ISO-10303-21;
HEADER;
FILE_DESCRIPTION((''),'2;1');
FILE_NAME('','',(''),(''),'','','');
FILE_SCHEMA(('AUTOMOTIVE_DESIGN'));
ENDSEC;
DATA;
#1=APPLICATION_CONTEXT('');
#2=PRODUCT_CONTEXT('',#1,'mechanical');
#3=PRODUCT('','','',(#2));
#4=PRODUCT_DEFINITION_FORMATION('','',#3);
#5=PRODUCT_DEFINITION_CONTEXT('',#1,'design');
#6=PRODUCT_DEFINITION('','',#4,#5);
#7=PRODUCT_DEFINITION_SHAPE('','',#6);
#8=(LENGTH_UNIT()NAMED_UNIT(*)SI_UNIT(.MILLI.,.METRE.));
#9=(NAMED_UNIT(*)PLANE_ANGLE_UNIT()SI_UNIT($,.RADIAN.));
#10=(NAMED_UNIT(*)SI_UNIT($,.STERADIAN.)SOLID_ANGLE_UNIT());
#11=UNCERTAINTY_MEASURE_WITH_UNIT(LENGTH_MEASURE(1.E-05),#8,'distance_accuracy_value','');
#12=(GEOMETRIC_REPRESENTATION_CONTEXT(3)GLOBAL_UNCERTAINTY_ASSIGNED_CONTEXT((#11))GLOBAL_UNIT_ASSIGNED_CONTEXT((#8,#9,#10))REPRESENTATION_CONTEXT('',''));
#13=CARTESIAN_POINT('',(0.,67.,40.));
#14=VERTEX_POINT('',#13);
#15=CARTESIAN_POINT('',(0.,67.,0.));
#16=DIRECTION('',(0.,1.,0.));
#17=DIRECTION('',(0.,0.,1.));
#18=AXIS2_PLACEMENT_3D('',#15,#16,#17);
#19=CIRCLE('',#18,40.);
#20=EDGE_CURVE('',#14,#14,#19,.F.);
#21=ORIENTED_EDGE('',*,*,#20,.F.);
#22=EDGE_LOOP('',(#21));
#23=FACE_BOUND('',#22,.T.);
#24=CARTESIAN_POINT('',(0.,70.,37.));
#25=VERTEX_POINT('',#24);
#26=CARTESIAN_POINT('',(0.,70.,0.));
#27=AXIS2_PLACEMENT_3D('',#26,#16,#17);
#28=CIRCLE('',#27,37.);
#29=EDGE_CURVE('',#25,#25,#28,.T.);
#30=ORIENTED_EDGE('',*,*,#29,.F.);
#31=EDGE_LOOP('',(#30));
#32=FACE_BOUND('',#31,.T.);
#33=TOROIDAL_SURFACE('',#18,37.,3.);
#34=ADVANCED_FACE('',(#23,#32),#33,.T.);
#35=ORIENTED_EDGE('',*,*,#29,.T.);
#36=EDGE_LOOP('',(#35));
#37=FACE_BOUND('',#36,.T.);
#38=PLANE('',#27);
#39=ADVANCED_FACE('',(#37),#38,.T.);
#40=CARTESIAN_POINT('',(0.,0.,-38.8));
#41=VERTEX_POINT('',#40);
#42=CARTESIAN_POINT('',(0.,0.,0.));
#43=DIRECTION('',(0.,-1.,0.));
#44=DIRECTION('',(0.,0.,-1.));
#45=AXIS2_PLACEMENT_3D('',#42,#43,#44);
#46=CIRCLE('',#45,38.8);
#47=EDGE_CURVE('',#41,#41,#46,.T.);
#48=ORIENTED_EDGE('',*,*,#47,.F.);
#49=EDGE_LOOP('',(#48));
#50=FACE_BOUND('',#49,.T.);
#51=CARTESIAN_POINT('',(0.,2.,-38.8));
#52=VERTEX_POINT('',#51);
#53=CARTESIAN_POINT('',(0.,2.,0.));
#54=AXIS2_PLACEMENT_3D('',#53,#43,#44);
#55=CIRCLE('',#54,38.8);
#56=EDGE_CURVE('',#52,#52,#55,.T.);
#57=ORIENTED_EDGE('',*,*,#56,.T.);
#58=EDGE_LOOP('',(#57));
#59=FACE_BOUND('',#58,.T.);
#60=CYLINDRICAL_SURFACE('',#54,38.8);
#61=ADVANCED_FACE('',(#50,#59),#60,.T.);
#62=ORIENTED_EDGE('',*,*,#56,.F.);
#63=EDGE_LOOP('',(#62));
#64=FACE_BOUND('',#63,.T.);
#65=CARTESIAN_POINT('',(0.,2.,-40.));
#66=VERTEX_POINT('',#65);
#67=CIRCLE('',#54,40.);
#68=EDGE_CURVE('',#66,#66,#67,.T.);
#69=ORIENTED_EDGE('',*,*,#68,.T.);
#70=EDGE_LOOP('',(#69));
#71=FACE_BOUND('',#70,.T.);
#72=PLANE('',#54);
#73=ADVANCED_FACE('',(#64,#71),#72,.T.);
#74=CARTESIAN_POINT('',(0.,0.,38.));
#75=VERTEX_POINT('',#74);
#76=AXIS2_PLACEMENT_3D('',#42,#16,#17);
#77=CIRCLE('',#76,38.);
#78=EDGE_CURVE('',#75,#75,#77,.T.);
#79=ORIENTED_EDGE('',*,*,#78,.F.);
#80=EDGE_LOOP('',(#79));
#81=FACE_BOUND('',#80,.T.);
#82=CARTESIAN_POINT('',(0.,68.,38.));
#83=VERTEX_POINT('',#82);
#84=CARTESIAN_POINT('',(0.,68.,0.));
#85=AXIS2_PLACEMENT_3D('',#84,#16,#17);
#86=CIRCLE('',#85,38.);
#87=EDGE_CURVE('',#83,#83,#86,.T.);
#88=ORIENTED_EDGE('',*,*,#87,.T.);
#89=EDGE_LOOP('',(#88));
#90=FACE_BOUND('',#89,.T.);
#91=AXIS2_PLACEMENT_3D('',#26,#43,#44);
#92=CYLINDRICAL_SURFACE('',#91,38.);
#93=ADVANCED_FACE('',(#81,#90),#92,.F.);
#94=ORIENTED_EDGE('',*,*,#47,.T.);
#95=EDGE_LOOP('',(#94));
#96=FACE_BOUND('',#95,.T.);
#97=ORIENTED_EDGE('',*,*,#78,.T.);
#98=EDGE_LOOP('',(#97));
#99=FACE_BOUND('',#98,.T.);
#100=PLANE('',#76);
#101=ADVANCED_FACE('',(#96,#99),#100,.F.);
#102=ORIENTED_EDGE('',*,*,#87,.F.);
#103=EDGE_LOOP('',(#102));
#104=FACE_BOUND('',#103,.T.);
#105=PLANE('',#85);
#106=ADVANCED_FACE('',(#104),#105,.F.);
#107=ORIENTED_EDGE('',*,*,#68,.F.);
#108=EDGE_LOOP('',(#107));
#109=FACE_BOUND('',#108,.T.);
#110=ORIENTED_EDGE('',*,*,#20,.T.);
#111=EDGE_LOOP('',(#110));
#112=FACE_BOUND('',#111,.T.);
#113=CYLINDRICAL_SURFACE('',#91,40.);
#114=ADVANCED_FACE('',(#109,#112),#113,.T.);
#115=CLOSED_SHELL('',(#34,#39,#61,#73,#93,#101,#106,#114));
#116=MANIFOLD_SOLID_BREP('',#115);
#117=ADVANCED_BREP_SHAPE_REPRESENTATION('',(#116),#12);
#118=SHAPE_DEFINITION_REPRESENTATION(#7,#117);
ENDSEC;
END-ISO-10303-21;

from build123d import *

# Parameters (mm, degrees)
SKETCH1_R           = 40
BOSS_EXTRUDE1_DEPTH = 70
SHELL1_T            = -2
SKETCH2_R           = 40
SKETCH2_R_2         = 38.8
CUT_EXTRUDE1_DEPTH  = 2
FILLET1_R           = 3


with BuildPart() as part:
    # Sketch1 → Boss-Extrude1 (new body)
    with BuildSketch(Plane(origin=(0, 0, 0), x_dir=(1, 0, 0), z_dir=(0, 1, 0))):
        with Locations(Location((0, 0, 0), (0, 0, 270))):
            Circle(SKETCH1_R)
    extrude(amount=BOSS_EXTRUDE1_DEPTH)

    # Shell1
    shell1_openings = [part.faces().sort_by_distance(p)[0] for p in [
        (0, 0, 0),
    ]]
    offset(amount=SHELL1_T, openings=shell1_openings, kind=Kind.INTERSECTION)

    # Sketch2 → Cut-Extrude1 (cut)
    with BuildSketch(Plane.XZ):
        with Locations(Location((0, 0, 0), (0, 0, 270))):
            Circle(SKETCH2_R)
        with Locations(Location((0, 0, 0), (0, 0, 270))):
            Circle(SKETCH2_R_2, mode=Mode.SUBTRACT)
    extrude(amount=-CUT_EXTRUDE1_DEPTH, mode=Mode.SUBTRACT)

    # Fillet1
    fillet1_edges = [part.edges().sort_by_distance(p)[0] for p in [
        (0, 70, -40),
    ]]
    fillet(fillet1_edges, radius=FILLET1_R)


solid = part.part
